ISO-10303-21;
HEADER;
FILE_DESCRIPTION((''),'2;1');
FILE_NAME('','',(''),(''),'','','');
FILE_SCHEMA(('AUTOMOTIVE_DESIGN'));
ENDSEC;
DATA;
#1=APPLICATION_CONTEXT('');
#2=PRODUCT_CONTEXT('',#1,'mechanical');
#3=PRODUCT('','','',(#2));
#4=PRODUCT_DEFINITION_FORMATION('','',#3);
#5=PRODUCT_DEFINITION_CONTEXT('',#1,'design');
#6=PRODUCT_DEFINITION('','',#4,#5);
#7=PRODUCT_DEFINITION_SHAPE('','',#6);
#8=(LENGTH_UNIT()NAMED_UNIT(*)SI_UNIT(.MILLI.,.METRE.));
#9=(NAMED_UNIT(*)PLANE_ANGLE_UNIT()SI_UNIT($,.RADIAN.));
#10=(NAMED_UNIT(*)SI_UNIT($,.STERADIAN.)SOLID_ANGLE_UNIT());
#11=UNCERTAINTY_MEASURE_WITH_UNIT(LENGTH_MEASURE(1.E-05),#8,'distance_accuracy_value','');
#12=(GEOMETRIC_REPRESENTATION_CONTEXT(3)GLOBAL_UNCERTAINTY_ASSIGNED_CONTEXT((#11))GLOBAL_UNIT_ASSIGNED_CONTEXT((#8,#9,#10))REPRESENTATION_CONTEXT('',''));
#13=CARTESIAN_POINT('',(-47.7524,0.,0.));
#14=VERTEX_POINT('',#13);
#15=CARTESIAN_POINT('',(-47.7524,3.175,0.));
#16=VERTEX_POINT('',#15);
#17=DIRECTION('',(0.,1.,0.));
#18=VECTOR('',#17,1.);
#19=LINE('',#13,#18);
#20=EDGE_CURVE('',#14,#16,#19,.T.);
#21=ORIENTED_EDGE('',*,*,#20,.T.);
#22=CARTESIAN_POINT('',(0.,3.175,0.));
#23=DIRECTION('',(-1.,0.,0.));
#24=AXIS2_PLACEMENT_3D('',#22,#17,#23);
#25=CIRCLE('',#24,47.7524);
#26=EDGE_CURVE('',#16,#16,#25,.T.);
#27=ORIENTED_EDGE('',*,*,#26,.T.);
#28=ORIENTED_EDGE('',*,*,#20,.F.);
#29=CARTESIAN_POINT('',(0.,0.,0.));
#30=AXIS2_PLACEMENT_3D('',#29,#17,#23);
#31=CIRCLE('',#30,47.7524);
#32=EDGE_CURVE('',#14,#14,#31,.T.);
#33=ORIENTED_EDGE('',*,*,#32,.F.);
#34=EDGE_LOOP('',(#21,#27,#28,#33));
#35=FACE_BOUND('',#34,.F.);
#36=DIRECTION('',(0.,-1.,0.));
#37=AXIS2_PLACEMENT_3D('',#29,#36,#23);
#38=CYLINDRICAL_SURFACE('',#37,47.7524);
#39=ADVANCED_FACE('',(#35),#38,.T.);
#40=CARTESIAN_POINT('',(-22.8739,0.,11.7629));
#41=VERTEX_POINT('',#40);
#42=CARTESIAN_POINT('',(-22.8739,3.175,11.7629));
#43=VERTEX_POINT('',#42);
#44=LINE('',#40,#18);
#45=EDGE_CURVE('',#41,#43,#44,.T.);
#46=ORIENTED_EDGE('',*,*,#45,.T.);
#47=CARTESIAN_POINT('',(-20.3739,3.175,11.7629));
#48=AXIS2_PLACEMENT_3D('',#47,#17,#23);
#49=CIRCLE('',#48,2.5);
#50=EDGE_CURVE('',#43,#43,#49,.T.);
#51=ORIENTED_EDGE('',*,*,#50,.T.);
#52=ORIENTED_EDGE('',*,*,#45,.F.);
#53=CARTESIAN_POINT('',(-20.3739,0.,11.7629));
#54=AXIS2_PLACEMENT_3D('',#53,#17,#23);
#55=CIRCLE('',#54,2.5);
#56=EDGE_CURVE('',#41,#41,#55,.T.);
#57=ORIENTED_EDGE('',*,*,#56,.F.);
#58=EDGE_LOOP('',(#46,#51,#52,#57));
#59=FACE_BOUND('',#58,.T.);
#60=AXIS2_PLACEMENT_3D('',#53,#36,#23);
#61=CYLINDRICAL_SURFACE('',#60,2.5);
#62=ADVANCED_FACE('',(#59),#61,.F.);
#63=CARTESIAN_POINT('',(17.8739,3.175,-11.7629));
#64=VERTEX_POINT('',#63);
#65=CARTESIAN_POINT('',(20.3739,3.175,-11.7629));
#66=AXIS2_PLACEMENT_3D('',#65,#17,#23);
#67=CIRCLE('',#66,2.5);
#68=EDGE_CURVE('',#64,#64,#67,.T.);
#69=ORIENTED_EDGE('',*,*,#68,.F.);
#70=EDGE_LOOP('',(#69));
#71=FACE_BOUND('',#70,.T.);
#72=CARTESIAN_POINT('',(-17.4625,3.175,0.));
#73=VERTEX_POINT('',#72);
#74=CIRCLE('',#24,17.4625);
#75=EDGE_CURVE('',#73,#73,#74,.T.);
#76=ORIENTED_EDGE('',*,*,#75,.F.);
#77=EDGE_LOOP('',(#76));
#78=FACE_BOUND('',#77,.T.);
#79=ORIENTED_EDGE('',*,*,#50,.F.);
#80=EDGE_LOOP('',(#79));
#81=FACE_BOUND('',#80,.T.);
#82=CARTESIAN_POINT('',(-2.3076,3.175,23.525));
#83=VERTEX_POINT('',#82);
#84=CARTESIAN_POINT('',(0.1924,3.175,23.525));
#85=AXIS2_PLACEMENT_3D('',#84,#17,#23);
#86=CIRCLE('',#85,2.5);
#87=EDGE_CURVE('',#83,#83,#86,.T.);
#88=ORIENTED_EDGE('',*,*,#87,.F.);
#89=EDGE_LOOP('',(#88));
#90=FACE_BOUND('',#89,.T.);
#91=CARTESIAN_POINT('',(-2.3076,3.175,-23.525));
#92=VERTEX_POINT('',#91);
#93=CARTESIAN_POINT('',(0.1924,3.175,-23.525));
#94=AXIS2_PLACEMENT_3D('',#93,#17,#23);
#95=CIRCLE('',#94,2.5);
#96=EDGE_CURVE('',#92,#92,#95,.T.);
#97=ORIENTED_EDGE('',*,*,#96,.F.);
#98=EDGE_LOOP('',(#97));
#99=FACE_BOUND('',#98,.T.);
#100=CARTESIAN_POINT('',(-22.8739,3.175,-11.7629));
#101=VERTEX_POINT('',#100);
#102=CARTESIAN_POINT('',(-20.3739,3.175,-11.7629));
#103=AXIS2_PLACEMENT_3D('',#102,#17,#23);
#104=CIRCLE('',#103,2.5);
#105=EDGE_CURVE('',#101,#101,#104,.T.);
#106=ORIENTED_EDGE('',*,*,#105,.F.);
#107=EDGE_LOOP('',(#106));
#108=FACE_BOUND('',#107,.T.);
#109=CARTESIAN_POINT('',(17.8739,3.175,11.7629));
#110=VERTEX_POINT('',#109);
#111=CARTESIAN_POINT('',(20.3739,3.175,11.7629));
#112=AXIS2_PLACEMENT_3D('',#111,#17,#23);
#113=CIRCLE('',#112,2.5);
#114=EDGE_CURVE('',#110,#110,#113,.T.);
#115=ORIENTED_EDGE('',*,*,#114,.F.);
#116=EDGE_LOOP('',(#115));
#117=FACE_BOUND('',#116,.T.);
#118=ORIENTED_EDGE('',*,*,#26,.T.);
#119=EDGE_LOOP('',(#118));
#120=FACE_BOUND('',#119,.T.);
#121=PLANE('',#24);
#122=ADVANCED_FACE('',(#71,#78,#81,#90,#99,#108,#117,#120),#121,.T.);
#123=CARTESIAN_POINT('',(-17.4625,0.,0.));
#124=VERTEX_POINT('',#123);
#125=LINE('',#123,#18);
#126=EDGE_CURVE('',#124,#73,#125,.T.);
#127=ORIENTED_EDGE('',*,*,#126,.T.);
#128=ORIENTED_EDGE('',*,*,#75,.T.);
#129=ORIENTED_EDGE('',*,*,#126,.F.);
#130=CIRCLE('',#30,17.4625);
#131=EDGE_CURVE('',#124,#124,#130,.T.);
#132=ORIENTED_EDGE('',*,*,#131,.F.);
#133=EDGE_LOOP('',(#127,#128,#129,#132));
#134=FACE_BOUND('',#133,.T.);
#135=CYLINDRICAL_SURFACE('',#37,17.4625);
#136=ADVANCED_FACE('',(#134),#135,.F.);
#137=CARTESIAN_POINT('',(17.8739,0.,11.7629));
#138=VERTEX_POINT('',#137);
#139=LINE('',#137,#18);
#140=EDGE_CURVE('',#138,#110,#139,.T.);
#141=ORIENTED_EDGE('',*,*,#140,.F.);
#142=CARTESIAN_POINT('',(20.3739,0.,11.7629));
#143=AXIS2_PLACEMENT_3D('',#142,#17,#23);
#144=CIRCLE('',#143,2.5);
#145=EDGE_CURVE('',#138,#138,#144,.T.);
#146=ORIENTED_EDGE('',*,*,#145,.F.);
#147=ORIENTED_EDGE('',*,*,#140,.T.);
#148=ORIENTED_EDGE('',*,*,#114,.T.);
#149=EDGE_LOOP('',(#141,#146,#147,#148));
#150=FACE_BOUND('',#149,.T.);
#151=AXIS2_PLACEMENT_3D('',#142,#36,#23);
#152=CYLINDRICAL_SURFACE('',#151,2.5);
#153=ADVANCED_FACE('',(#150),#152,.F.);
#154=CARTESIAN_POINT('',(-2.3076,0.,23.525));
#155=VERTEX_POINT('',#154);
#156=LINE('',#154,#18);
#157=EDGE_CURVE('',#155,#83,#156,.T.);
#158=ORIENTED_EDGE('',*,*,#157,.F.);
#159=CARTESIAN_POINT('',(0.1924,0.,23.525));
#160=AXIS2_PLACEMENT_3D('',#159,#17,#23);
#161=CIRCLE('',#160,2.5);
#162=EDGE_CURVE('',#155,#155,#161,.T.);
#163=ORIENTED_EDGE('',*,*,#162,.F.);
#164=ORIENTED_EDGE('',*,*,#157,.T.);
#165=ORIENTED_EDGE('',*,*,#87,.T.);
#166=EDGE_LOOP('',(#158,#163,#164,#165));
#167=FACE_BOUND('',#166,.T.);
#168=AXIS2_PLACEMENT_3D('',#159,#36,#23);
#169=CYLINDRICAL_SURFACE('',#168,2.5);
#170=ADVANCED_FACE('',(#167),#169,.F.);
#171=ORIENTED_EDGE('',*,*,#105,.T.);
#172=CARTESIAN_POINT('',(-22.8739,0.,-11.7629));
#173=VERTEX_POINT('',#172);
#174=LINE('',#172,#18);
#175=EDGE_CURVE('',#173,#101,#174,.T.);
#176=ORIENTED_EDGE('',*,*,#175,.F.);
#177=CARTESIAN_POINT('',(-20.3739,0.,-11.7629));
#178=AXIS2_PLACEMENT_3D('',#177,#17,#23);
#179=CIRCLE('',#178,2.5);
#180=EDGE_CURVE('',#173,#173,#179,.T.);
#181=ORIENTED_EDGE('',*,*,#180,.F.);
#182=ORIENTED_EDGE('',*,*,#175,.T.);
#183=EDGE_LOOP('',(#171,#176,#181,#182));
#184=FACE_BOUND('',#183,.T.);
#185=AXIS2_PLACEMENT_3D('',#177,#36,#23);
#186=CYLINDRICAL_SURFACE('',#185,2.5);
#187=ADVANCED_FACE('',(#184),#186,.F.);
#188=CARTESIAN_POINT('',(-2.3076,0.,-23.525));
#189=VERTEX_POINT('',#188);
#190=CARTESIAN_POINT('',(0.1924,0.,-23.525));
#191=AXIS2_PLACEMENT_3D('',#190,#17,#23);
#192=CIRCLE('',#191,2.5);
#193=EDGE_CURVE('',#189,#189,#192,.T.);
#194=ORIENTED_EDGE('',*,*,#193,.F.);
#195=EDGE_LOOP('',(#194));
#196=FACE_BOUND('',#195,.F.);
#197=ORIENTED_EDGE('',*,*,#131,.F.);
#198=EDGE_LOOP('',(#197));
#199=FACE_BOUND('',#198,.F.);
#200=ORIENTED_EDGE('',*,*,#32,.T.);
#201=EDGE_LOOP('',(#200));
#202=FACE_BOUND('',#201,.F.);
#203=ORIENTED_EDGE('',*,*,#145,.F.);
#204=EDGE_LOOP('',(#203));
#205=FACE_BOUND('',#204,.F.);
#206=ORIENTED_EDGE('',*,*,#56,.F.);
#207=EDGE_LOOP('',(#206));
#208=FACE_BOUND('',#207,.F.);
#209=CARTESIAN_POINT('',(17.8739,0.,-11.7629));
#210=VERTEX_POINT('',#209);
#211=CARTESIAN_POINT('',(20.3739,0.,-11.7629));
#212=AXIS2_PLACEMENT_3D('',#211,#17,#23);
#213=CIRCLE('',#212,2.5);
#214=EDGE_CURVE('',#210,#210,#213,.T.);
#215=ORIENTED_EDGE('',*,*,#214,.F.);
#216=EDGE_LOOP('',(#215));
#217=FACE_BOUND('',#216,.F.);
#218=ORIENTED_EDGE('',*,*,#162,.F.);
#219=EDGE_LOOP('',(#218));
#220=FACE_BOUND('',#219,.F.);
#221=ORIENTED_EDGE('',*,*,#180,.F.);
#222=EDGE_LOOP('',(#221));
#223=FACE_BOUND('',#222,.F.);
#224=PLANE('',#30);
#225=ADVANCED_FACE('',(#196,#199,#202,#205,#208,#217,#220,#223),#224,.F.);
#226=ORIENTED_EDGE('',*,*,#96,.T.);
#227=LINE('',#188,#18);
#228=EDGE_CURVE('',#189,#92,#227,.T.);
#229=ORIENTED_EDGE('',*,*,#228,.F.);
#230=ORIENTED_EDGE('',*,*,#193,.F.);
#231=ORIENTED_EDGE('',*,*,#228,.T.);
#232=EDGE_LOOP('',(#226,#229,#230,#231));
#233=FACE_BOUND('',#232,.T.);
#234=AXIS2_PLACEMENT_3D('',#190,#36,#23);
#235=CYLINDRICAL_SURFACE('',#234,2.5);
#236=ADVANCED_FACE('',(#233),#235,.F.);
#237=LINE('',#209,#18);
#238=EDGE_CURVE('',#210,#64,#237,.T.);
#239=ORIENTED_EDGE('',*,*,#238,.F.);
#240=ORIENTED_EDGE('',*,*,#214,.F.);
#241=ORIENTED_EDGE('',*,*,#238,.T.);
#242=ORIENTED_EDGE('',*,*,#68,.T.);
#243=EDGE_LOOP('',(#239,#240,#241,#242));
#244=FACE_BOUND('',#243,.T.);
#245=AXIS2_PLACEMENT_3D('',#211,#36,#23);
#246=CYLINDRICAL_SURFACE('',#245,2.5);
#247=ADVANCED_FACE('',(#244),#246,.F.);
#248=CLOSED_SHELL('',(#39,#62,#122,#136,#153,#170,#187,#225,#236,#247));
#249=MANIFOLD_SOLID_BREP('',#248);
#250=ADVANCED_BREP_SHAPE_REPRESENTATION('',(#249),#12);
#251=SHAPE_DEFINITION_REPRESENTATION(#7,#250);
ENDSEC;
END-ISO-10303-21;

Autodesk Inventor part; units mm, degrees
ref_plane "YZ Plane" through (0, 0, 0) normal (1, 0, 0) x (0, 1, 0)
ref_plane "XZ Plane" through (0, 0, 0) normal (0, 1, 0) x (-1, 0, 0)
ref_plane "XY Plane" through (0, 0, 0) normal (0, 0, 1) x (1, 0, 0)
sketch "Sketch1" plane through (0, 0, 0) normal (0, 1, 0) x (-1, 0, 0)
  circle A0 centre (0, 0) radius 17.4625
  line L0 (115.2587, 0) -> (-115.7035, 0) construction
  line L1 (-0.2224, 95.1184) -> (82.2641, -47.7524) construction
  line L2 (82.2641, -47.7524) -> (-82.7089, -47.7524) construction
  line L3 (-82.7089, -47.7524) -> (-0.2224, 95.1184) construction
  line L4 (0, 0) -> (-41.4657, 23.683) construction
  line L5 (0, 0) -> (37.9918, 28.9294) construction
  line L6 (0, 0) -> (0, -47.7524) construction
  circle A1 centre (0, 0) radius 47.7524
  line L7 (-0.1924, 23.525) -> (-0.1924, -23.525) construction
  circle A2 centre (-0.1924, 23.525) radius 2.5
  circle A3 centre (-0.1924, -23.525) radius 2.5
  line L8 (0, 0) -> (-18.1393, 10.4727) construction
  circle A4 centre (0, 0) radius 23.5258 construction
  circle A5 centre (-20.3739, 11.7629) radius 2.5
  line L9 (-0.1924, 21.025) -> (5.7447, 21.025) construction
  line L10 (-0.1924, -21.025) -> (5.7447, -21.025) construction
  line L11 (0, 0) -> (-31.1741, -17.9984) construction
  circle A6 centre (-20.3739, -11.7629) radius 2.5
  line L12 (0, 0) -> (30.9754, -17.8837) construction
  line L13 (0, 0) -> (26.3932, 15.2381) construction
  circle A7 centre (20.3739, 11.7629) radius 2.5
  circle A8 centre (20.3739, -11.7629) radius 2.5
  dimension "d16" = 5
  dimension "d17" = 5
  dimension "d0" = 34.925
  dimension "d5" = 164.973
  dimension "d18" = 60
  dimension "d19" = 5
  dimension "d20" = 42.05
  dimension "d21" = 5
  dimension "d22" = 60
  dimension "d23" = 5
  dimension "d24" = 5
  dimension "d25" = 60
  dimension "d26" = 60
extrude "Extrusion2" add sketch "Sketch1" along normal blind 3.175
properties part number "Strap Shield"
